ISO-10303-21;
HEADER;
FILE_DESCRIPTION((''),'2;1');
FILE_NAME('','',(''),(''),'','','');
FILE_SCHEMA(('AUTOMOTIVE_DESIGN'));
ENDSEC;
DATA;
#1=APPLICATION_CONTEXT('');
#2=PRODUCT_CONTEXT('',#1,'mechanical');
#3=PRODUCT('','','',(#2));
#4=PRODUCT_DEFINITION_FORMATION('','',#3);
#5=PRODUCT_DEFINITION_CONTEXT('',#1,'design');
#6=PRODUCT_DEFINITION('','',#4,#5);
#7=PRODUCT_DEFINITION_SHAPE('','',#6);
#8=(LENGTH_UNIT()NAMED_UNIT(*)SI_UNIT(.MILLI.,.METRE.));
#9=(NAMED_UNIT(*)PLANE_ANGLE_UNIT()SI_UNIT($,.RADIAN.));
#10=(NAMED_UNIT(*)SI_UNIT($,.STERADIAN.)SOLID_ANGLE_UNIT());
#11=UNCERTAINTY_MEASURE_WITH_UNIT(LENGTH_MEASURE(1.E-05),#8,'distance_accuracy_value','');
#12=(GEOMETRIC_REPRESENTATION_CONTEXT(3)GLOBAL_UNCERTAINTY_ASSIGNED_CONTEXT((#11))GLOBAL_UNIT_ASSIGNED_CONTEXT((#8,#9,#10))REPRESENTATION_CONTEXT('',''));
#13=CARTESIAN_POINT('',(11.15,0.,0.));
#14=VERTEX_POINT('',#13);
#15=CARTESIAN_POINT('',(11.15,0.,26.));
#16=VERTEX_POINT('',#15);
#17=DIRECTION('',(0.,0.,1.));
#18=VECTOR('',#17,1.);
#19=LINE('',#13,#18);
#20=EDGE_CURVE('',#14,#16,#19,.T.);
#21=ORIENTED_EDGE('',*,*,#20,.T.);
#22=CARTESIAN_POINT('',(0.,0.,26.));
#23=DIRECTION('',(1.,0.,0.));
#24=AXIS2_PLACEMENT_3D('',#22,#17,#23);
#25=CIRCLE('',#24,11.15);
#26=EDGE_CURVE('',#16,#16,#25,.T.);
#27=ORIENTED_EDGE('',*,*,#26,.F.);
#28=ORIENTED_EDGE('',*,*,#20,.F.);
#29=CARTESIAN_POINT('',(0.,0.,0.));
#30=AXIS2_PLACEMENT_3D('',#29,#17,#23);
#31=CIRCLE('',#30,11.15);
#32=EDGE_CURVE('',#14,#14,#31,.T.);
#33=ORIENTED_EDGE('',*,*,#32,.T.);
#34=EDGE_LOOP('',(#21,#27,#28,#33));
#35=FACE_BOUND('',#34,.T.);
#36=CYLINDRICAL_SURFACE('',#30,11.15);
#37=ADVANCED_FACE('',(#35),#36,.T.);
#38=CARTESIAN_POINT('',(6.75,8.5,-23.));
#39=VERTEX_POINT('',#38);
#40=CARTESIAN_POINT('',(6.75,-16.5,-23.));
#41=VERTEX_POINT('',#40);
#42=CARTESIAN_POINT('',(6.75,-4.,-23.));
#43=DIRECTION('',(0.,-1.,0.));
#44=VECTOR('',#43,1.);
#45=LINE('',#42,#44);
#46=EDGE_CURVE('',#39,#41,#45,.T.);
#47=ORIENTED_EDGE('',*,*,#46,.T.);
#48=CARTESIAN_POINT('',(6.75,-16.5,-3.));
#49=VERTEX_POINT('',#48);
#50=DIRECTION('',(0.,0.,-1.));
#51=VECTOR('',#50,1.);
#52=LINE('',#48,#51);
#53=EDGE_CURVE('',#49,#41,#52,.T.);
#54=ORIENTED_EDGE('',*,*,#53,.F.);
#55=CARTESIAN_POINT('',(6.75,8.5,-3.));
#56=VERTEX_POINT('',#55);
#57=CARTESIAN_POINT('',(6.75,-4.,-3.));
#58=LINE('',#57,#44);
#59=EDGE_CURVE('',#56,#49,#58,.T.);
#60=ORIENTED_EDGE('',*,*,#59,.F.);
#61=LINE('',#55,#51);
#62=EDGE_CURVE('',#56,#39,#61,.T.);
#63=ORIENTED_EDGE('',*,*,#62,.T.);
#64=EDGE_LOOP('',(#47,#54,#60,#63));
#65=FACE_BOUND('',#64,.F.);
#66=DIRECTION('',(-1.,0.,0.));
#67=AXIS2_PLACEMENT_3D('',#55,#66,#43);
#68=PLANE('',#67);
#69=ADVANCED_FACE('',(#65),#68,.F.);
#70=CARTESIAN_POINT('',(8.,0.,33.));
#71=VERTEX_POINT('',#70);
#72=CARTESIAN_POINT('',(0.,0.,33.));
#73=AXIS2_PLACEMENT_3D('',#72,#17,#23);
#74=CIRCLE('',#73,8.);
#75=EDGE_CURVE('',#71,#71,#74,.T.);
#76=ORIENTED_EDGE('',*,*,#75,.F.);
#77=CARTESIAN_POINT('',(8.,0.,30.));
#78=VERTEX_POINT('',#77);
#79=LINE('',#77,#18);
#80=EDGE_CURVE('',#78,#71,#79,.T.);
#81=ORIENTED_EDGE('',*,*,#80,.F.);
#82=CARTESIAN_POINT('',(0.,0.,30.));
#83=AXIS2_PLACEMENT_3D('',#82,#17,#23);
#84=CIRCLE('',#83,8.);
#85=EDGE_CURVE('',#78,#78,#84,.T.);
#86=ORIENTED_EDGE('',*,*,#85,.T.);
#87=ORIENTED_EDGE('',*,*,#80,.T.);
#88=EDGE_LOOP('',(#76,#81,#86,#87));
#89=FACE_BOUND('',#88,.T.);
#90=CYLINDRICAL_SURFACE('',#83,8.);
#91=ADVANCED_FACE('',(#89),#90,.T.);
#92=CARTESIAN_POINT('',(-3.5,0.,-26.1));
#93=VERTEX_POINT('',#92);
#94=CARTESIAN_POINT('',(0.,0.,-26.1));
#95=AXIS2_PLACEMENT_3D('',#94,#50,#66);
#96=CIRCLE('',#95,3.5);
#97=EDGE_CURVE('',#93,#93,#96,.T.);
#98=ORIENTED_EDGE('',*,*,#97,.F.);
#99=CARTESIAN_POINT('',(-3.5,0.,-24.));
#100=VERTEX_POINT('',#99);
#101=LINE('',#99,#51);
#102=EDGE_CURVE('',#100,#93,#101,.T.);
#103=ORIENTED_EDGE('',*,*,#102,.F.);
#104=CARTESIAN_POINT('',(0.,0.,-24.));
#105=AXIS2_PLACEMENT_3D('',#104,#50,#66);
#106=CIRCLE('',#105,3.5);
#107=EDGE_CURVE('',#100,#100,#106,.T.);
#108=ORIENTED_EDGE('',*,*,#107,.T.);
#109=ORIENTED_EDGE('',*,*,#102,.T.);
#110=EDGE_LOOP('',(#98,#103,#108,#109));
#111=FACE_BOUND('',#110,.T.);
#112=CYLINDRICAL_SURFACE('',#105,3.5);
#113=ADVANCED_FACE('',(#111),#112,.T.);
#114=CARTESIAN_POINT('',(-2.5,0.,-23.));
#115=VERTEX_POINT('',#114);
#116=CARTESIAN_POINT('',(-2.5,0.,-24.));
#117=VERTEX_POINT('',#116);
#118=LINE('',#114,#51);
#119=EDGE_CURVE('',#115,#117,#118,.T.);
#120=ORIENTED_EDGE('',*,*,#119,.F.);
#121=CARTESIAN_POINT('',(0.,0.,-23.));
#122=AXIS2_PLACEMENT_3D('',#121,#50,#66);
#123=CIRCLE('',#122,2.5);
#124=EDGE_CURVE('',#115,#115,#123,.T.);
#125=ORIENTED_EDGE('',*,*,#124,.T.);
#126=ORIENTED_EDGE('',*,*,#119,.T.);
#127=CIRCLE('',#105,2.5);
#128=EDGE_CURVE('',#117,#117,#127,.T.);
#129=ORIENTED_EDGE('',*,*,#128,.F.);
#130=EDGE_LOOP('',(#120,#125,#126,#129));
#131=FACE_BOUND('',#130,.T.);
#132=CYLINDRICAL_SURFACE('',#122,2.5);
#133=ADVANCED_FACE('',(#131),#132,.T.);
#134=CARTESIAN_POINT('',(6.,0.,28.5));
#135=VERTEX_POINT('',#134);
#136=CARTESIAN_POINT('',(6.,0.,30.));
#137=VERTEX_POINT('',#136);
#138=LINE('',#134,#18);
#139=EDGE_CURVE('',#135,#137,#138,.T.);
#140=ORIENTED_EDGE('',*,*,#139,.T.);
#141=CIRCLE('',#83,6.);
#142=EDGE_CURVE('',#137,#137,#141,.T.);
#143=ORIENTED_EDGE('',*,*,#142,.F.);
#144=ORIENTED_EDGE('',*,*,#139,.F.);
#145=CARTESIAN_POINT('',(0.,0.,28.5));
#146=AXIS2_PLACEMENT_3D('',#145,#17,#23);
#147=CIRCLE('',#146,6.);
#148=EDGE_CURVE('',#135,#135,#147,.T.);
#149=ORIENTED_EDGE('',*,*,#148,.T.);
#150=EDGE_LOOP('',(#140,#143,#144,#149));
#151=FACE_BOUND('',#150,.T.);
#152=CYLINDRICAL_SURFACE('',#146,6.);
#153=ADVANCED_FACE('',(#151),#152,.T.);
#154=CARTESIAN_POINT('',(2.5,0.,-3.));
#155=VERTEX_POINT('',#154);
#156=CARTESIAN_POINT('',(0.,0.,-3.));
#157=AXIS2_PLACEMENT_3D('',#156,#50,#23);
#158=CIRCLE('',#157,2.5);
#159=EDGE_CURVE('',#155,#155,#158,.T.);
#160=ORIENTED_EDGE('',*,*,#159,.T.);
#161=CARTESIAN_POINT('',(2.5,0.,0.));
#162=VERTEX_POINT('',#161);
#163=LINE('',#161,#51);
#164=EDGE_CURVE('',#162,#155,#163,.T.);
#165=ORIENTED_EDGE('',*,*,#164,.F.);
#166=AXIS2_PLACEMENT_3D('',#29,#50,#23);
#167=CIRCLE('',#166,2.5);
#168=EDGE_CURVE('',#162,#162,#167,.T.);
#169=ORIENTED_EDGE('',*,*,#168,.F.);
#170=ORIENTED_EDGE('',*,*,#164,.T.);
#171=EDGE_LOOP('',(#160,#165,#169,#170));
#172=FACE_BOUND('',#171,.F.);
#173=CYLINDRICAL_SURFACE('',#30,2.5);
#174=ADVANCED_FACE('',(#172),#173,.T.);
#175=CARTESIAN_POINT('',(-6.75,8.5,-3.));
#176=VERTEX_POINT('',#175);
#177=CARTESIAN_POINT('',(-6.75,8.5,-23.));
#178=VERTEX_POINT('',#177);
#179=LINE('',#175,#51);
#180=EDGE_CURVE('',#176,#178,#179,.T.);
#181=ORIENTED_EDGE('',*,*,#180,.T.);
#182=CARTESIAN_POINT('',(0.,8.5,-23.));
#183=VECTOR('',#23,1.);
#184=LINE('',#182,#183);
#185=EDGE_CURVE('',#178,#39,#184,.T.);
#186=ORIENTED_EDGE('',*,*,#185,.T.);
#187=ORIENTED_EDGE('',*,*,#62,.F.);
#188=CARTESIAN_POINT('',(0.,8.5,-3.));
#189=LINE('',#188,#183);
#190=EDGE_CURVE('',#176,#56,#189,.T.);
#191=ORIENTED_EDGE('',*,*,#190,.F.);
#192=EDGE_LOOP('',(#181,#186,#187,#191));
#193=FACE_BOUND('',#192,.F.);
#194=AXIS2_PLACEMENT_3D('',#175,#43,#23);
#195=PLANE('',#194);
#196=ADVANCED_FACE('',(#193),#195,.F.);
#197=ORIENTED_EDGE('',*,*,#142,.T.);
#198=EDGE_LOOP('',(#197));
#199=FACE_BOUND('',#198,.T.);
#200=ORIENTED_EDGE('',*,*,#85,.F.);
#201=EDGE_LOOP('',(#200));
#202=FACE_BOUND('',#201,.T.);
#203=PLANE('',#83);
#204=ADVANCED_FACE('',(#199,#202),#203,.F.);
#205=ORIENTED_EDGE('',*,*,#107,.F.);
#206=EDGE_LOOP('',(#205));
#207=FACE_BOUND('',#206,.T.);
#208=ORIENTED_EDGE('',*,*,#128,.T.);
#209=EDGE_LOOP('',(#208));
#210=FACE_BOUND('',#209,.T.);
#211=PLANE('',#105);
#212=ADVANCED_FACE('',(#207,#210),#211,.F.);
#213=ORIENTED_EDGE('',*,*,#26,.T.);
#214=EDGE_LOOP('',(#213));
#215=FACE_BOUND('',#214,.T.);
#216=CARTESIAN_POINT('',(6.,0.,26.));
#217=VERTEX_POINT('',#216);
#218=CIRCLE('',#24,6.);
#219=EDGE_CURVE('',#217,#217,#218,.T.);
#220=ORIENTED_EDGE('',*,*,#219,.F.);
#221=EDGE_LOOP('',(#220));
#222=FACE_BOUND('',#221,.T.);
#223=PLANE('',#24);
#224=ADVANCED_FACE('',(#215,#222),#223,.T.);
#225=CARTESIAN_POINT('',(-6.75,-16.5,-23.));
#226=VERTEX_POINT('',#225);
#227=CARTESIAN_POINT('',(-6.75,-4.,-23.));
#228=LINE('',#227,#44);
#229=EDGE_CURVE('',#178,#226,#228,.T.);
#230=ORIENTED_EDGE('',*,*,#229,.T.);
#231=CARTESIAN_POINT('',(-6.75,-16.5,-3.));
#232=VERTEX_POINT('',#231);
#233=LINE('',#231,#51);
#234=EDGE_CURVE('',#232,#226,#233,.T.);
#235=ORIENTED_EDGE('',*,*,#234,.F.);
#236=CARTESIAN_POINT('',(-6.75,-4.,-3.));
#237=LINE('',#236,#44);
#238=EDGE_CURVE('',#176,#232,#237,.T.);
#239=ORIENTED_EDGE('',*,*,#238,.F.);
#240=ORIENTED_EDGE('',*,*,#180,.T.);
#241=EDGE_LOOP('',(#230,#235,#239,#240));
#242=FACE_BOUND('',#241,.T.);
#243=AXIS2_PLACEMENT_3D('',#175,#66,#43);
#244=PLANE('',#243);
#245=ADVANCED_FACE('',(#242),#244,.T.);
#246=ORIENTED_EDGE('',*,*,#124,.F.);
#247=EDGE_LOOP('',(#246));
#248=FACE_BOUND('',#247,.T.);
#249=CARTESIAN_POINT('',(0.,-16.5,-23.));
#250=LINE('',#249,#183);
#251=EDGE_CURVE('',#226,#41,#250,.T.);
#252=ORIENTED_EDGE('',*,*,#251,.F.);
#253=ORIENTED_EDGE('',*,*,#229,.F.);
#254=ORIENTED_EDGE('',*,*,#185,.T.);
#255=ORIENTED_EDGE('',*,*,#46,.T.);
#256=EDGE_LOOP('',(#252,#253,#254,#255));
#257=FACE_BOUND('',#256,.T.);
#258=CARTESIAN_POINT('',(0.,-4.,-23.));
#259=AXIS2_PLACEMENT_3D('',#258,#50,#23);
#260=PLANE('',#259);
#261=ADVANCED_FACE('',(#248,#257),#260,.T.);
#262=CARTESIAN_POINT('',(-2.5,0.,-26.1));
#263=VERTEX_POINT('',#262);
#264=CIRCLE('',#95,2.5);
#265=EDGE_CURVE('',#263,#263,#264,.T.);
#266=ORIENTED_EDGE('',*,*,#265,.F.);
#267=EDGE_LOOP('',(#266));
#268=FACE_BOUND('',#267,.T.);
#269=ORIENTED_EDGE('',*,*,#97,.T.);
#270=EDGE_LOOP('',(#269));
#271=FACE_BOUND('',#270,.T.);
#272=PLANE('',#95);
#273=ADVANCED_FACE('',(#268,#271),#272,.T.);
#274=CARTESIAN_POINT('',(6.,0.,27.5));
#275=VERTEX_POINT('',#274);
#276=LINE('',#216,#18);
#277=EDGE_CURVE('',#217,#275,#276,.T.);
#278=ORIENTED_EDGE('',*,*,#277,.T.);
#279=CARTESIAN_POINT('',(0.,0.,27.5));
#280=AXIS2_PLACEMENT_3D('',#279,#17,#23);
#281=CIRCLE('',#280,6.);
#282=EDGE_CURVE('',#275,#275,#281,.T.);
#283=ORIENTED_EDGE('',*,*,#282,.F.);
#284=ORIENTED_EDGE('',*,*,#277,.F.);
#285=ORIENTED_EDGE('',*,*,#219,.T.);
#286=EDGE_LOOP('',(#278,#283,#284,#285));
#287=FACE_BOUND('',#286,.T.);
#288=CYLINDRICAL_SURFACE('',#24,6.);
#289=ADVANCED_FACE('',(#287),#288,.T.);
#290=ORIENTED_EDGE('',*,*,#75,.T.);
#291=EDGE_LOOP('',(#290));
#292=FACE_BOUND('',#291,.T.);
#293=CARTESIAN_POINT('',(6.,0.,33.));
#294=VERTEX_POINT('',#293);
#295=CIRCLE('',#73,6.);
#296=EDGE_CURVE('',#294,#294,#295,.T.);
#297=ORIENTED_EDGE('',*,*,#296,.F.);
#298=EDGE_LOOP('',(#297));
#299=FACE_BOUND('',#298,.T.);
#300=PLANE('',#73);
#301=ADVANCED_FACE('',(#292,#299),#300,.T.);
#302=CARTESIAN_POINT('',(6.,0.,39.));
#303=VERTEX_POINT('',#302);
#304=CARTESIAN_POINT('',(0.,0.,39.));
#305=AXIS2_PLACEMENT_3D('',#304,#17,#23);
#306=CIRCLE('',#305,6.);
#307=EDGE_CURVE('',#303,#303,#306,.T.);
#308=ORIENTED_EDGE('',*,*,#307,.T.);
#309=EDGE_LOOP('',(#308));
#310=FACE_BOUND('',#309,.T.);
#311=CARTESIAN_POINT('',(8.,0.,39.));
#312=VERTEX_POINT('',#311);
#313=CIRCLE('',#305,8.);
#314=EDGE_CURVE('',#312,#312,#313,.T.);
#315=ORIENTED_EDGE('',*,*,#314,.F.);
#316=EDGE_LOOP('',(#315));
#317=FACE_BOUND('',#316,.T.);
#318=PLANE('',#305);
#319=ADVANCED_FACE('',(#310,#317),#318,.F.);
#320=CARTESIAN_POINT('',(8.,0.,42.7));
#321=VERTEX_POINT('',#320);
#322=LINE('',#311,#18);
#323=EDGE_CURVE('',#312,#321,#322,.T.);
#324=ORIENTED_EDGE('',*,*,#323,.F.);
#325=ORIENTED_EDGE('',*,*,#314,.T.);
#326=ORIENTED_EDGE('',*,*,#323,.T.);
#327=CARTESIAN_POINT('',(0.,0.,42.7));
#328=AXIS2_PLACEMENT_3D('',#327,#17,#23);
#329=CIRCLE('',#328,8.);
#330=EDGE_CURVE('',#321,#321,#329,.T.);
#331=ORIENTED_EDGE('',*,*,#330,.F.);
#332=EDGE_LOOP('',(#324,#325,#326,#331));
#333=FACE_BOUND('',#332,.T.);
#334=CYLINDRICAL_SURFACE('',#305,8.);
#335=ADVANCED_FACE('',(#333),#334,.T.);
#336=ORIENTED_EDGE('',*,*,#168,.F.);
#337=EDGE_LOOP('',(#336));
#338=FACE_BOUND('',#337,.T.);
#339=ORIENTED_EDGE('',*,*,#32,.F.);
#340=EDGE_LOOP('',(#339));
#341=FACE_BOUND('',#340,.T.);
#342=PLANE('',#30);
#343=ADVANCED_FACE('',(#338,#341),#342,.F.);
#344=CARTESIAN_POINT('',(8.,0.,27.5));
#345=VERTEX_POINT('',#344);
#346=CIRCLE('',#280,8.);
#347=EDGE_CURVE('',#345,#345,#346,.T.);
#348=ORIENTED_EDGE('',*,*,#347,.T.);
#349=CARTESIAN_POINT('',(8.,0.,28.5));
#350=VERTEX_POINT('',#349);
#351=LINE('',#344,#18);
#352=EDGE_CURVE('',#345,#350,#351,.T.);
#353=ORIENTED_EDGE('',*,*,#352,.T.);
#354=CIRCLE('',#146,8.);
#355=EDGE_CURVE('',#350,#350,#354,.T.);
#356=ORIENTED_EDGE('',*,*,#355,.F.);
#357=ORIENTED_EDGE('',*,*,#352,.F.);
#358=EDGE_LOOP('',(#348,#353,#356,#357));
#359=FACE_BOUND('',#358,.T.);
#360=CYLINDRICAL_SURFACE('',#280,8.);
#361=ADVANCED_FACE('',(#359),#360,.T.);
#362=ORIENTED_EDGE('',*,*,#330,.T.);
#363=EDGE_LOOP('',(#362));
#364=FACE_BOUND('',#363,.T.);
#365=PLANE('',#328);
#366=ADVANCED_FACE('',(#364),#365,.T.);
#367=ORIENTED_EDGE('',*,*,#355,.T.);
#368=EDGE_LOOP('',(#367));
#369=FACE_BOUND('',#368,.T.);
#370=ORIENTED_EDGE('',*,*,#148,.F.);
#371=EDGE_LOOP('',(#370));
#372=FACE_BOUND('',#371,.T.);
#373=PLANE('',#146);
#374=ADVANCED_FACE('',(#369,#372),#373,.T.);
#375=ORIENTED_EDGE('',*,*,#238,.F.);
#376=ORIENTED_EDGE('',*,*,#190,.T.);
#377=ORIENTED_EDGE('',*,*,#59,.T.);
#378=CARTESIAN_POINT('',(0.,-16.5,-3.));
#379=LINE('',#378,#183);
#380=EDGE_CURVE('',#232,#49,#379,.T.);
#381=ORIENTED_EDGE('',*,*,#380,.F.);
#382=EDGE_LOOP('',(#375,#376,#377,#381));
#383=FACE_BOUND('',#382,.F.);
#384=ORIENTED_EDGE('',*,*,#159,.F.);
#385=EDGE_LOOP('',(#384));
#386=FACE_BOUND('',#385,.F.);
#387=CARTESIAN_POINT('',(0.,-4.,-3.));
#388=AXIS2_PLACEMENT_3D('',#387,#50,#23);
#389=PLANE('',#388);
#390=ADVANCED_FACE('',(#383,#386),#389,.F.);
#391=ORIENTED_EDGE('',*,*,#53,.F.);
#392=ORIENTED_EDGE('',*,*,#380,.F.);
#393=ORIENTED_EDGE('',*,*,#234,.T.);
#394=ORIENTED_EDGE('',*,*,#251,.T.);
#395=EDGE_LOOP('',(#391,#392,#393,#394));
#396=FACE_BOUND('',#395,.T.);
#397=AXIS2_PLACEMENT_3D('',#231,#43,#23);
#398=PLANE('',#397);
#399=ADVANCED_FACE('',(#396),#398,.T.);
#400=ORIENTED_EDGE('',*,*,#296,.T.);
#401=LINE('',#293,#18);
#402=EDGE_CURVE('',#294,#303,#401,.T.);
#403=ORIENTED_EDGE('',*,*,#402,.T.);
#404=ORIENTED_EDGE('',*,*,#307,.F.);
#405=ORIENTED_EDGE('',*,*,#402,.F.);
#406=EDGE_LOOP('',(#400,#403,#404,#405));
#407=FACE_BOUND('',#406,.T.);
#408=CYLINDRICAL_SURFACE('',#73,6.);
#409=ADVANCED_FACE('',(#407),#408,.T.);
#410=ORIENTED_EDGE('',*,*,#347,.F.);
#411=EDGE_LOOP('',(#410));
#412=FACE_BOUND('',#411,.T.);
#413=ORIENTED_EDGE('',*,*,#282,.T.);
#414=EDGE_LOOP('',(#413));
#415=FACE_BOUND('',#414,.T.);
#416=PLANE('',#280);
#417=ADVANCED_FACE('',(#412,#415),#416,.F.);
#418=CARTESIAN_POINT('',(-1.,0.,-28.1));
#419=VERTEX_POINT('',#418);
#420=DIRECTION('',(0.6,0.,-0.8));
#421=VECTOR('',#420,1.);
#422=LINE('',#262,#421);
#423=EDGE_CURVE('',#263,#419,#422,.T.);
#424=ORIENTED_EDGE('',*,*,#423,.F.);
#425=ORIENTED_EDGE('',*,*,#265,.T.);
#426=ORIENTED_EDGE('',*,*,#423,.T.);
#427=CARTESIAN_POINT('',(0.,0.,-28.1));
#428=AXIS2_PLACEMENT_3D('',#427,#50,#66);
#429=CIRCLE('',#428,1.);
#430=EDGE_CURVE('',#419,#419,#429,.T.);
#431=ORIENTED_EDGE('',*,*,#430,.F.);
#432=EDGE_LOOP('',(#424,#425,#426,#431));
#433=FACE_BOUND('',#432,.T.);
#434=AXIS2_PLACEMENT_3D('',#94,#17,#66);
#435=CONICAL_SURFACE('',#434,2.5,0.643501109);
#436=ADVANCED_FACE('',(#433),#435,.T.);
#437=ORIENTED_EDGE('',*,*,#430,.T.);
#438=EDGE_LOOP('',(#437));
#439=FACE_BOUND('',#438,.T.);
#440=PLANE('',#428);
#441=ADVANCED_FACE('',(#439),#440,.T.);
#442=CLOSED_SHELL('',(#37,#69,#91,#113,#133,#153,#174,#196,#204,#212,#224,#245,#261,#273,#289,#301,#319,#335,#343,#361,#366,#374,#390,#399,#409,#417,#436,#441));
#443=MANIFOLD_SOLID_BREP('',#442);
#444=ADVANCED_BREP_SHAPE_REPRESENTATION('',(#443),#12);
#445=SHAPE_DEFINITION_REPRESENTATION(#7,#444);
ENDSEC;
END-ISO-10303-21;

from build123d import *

# Parameters (mm, degrees)
F2_R     = 2.5
F3_DEPTH = 3
F4_W     = 13.5
F4_H     = 25
F5_DEPTH = 20


with BuildPart() as f1:
    # F0 (on Front) → F1 (revolve)
    with BuildSketch(Plane.XZ):
        Polygon((0, 42.7), (0, 0), (11.15, 0), (11.15, 26), (6, 26), (6, 27.5), (8, 27.5), (8, 28.5), (6, 28.5), (6, 30), (8, 30), (8, 33), (6, 33), (6, 39), (8, 39), (8, 42.7), align=None)
    revolve(axis=Axis((0, 0, 21.35), (0, 0, 1)))

    # F2 (on face) → F3 (join)
    with BuildSketch(Plane(origin=(0, 0, 0), x_dir=(1, 0, 0), z_dir=(0, 0, -1))):
        Circle(F2_R)
    extrude(amount=F3_DEPTH)

    # F4 (on face) → F5 (join)
    with BuildSketch(Plane(origin=(0, 0, -3), x_dir=(1, 0, 0), z_dir=(0, 0, -1))):
        with Locations((0, 4)):
            Rectangle(F4_W, F4_H)
    extrude(amount=F5_DEPTH)

    # F6 (on Front) → F7 (revolve)
    with BuildSketch(Plane.XZ):
        Polygon((0, -28.1), (0, -23), (-2.5, -23), (-2.5, -24), (-3.5, -24), (-3.5, -26.1), (-2.5, -26.1), (-1, -28.1), align=None)
    revolve(axis=Axis((0, 0, -25.55), (0, 0, -1)))


solid = f1.part
